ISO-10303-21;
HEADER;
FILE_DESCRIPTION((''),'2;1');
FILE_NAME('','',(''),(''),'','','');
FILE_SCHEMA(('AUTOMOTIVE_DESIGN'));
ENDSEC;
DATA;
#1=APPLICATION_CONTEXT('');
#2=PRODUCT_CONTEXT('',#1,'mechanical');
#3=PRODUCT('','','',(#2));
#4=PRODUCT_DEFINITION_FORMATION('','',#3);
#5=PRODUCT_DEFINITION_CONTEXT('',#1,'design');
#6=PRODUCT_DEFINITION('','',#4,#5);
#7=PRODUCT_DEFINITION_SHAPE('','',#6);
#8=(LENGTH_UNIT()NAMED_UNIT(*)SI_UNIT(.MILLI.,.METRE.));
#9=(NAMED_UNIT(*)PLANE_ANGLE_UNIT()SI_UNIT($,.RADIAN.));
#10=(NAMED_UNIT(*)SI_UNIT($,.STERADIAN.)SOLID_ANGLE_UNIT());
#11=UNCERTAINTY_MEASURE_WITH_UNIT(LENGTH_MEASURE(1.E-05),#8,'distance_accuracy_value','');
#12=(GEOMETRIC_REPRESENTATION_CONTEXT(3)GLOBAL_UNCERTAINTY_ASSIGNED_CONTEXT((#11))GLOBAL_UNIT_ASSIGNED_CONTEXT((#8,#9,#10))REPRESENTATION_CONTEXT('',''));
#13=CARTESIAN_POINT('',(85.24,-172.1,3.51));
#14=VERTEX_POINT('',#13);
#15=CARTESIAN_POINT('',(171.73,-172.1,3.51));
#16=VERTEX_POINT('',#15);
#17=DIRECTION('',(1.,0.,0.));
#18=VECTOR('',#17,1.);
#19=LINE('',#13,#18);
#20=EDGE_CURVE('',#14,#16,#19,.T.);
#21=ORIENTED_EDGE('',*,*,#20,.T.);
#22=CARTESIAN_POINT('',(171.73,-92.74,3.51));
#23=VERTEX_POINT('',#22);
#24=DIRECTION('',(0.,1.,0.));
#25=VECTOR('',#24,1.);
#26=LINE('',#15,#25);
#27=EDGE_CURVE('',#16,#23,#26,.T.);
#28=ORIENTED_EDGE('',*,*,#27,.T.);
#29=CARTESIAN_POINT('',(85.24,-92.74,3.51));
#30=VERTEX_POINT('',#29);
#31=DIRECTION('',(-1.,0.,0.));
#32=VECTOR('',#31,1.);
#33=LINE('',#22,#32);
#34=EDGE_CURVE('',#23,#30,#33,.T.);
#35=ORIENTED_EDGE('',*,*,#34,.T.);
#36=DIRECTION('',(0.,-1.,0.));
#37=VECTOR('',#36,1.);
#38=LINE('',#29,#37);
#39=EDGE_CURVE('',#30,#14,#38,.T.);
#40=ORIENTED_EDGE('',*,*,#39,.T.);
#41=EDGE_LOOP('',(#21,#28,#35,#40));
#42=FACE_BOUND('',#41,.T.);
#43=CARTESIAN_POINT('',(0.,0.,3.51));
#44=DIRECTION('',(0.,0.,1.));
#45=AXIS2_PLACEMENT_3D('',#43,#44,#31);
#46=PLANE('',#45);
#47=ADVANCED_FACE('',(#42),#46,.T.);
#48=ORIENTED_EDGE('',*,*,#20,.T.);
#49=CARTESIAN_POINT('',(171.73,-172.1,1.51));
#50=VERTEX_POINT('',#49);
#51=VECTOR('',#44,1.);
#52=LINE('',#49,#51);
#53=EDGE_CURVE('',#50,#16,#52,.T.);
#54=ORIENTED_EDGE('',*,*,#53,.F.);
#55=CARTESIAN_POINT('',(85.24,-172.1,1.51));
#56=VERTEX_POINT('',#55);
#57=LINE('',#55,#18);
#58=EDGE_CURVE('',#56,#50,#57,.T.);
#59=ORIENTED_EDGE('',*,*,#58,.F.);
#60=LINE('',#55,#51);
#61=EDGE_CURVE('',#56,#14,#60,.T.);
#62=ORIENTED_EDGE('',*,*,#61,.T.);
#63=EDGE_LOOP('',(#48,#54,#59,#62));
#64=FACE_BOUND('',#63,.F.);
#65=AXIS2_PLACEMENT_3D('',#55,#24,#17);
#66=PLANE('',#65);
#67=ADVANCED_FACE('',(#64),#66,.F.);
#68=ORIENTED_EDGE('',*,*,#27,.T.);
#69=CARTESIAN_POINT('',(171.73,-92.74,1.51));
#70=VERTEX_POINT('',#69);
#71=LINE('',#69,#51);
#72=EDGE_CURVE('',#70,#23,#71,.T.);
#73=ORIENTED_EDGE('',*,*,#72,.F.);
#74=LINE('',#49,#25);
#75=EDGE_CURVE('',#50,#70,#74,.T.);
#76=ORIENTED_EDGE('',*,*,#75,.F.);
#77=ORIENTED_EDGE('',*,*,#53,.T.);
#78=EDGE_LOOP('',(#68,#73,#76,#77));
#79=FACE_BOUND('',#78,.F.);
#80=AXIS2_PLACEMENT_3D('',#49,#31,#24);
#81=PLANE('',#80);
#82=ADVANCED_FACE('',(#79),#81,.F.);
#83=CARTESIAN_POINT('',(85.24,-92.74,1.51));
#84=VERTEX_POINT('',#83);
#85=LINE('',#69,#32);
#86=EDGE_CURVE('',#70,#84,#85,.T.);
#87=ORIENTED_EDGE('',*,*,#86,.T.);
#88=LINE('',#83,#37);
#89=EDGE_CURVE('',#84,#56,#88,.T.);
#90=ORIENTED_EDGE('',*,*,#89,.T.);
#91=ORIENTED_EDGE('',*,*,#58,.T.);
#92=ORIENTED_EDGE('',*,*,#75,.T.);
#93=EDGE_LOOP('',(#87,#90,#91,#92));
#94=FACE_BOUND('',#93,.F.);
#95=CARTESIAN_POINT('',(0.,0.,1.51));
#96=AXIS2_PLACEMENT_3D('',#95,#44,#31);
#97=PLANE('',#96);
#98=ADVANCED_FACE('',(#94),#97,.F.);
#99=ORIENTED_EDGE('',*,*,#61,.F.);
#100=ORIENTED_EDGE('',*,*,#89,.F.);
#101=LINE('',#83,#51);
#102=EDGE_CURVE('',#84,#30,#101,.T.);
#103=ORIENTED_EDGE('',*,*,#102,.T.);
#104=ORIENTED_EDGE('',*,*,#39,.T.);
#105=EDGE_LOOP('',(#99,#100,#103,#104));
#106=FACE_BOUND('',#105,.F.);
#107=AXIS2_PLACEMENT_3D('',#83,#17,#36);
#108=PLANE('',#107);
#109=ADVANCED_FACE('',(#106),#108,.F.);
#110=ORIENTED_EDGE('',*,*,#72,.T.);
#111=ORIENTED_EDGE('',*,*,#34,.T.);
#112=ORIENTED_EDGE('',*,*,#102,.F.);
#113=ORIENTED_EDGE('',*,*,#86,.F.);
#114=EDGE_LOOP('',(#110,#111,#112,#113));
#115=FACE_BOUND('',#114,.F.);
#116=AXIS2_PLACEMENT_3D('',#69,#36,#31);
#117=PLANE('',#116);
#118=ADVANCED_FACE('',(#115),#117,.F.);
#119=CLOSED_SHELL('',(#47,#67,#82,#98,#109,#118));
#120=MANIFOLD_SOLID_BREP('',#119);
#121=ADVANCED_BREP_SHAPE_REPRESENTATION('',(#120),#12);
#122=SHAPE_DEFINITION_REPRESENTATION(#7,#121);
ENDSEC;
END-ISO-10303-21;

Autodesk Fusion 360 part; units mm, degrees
sketch "Sketch1" plane through (0, 0, 1.51) normal (0, 0, 1) x (-1, 0, 0)
  line L0 (-85.24, 172.1) -> (-171.73, 172.1)
  line L1 (-171.73, 172.1) -> (-171.73, 92.74)
  line L2 (-171.73, 92.74) -> (-85.24, 92.74)
  line L3 (-85.24, 92.74) -> (-85.24, 172.1)
  circle A0 centre (-96.139, 143.129) radius 0.85
  circle A1 centre (-101.219, 143.129) radius 2
  circle A2 centre (-97.409, 140.589) radius 0.75
  circle A3 centre (-106.299, 143.129) radius 0.85
  circle A4 centre (-103.759, 138.049) radius 0.75
  circle A5 centre (-153.67, 162.052) radius 0.85
  circle A6 centre (-158.75, 162.052) radius 2
  circle A7 centre (-154.94, 159.512) radius 0.75
  circle A8 centre (-163.83, 162.052) radius 0.85
  circle A9 centre (-161.29, 156.972) radius 0.75
  circle A10 centre (-153.67, 142.875) radius 0.85
  circle A11 centre (-158.75, 142.875) radius 2
  circle A12 centre (-154.94, 140.335) radius 0.75
  circle A13 centre (-163.83, 142.875) radius 0.85
  circle A14 centre (-161.29, 137.795) radius 0.75
  circle A15 centre (-96.139, 123.952) radius 0.85
  circle A16 centre (-97.409, 121.412) radius 0.75
  circle A17 centre (-101.219, 123.952) radius 2
  circle A18 centre (-106.299, 123.952) radius 0.85
  circle A19 centre (-103.759, 118.872) radius 0.75
  circle A20 centre (-115.316, 123.952) radius 0.85
  circle A21 centre (-116.586, 121.412) radius 0.75
  circle A22 centre (-120.396, 123.952) radius 2
  circle A23 centre (-125.476, 123.952) radius 0.85
  circle A24 centre (-122.936, 118.872) radius 0.75
  circle A25 centre (-96.139, 104.775) radius 0.85
  circle A26 centre (-101.219, 104.775) radius 2
  circle A27 centre (-106.299, 104.775) radius 0.85
  circle A28 centre (-97.409, 102.235) radius 0.75
  circle A29 centre (-103.759, 99.695) radius 0.75
  circle A30 centre (-115.316, 104.775) radius 0.85
  circle A31 centre (-120.396, 104.775) radius 2
  circle A32 centre (-125.476, 104.775) radius 0.85
  circle A33 centre (-116.586, 102.235) radius 0.75
  circle A34 centre (-122.936, 99.695) radius 0.75
  circle A35 centre (-134.493, 123.952) radius 0.85
  circle A36 centre (-135.763, 121.412) radius 0.75
  circle A37 centre (-139.573, 123.952) radius 2
  circle A38 centre (-144.653, 123.952) radius 0.85
  circle A39 centre (-142.113, 118.872) radius 0.75
  circle A40 centre (-153.67, 123.952) radius 0.85
  circle A41 centre (-158.75, 123.952) radius 2
  circle A42 centre (-154.94, 121.412) radius 0.75
  circle A43 centre (-163.83, 123.952) radius 0.85
  circle A44 centre (-161.29, 118.872) radius 0.75
  circle A45 centre (-134.493, 104.775) radius 0.85
  circle A46 centre (-139.573, 104.775) radius 2
  circle A47 centre (-144.653, 104.775) radius 0.85
  circle A48 centre (-135.763, 102.235) radius 0.75
  circle A49 centre (-142.113, 99.695) radius 0.75
  circle A50 centre (-152.525, 110.98) radius 0.4445
  circle A51 centre (-152.525, 108.44) radius 0.4445
  circle A52 centre (-152.525, 105.9) radius 0.4445
  circle A53 centre (-167.765, 110.98) radius 0.4445
  circle A54 centre (-167.765, 108.44) radius 0.4445
  circle A55 centre (-167.765, 105.9) radius 0.4445
  circle A56 centre (-152.525, 103.36) radius 0.4445
  circle A57 centre (-152.525, 100.82) radius 0.4445
  circle A58 centre (-152.525, 98.28) radius 0.4445
  circle A59 centre (-152.525, 95.74) radius 0.4445
  circle A60 centre (-167.765, 103.36) radius 0.4445
  circle A61 centre (-167.765, 100.82) radius 0.4445
  circle A62 centre (-167.765, 98.28) radius 0.4445
  circle A63 centre (-167.765, 95.74) radius 0.4445
  line L4 (-85.24, 92.74) -> (-171.73, 92.74)
  line L5 (-171.73, 92.74) -> (-171.73, 172.1)
  line L6 (-171.73, 172.1) -> (-85.24, 172.1)
  line L7 (-85.24, 172.1) -> (-85.24, 92.74)
extrude "Extrude1" add sketch "Sketch1" along normal blind 2 contours L0 L1 L2 L3 L4 L5 L6 L7 | A0 | A1 | A2 | A3 | A4 | A5 | A6 | A7 | A8 | A9 | A10 | A11 | A12 | A13 | A14 | A15 | A16 | A17 | A18 | A19 | A20 | A21 | A22 | A23 | A24 | A25 | A26 | A27 | A28 | A29 | A30 | A31 | A32 | A33 | A34 | A35 | A36 | A37 | A38 | A39 | A40 | A41 | A42 | A43 | A44 | A45 | A46 | A47 | A48 | A49 | A50 | A51 | A52 | A53 | A54 | A55 | A56 | A57 | A58 | A59 | A60 | A61 | A62 | A63
properties part number "Starter_1 1"
